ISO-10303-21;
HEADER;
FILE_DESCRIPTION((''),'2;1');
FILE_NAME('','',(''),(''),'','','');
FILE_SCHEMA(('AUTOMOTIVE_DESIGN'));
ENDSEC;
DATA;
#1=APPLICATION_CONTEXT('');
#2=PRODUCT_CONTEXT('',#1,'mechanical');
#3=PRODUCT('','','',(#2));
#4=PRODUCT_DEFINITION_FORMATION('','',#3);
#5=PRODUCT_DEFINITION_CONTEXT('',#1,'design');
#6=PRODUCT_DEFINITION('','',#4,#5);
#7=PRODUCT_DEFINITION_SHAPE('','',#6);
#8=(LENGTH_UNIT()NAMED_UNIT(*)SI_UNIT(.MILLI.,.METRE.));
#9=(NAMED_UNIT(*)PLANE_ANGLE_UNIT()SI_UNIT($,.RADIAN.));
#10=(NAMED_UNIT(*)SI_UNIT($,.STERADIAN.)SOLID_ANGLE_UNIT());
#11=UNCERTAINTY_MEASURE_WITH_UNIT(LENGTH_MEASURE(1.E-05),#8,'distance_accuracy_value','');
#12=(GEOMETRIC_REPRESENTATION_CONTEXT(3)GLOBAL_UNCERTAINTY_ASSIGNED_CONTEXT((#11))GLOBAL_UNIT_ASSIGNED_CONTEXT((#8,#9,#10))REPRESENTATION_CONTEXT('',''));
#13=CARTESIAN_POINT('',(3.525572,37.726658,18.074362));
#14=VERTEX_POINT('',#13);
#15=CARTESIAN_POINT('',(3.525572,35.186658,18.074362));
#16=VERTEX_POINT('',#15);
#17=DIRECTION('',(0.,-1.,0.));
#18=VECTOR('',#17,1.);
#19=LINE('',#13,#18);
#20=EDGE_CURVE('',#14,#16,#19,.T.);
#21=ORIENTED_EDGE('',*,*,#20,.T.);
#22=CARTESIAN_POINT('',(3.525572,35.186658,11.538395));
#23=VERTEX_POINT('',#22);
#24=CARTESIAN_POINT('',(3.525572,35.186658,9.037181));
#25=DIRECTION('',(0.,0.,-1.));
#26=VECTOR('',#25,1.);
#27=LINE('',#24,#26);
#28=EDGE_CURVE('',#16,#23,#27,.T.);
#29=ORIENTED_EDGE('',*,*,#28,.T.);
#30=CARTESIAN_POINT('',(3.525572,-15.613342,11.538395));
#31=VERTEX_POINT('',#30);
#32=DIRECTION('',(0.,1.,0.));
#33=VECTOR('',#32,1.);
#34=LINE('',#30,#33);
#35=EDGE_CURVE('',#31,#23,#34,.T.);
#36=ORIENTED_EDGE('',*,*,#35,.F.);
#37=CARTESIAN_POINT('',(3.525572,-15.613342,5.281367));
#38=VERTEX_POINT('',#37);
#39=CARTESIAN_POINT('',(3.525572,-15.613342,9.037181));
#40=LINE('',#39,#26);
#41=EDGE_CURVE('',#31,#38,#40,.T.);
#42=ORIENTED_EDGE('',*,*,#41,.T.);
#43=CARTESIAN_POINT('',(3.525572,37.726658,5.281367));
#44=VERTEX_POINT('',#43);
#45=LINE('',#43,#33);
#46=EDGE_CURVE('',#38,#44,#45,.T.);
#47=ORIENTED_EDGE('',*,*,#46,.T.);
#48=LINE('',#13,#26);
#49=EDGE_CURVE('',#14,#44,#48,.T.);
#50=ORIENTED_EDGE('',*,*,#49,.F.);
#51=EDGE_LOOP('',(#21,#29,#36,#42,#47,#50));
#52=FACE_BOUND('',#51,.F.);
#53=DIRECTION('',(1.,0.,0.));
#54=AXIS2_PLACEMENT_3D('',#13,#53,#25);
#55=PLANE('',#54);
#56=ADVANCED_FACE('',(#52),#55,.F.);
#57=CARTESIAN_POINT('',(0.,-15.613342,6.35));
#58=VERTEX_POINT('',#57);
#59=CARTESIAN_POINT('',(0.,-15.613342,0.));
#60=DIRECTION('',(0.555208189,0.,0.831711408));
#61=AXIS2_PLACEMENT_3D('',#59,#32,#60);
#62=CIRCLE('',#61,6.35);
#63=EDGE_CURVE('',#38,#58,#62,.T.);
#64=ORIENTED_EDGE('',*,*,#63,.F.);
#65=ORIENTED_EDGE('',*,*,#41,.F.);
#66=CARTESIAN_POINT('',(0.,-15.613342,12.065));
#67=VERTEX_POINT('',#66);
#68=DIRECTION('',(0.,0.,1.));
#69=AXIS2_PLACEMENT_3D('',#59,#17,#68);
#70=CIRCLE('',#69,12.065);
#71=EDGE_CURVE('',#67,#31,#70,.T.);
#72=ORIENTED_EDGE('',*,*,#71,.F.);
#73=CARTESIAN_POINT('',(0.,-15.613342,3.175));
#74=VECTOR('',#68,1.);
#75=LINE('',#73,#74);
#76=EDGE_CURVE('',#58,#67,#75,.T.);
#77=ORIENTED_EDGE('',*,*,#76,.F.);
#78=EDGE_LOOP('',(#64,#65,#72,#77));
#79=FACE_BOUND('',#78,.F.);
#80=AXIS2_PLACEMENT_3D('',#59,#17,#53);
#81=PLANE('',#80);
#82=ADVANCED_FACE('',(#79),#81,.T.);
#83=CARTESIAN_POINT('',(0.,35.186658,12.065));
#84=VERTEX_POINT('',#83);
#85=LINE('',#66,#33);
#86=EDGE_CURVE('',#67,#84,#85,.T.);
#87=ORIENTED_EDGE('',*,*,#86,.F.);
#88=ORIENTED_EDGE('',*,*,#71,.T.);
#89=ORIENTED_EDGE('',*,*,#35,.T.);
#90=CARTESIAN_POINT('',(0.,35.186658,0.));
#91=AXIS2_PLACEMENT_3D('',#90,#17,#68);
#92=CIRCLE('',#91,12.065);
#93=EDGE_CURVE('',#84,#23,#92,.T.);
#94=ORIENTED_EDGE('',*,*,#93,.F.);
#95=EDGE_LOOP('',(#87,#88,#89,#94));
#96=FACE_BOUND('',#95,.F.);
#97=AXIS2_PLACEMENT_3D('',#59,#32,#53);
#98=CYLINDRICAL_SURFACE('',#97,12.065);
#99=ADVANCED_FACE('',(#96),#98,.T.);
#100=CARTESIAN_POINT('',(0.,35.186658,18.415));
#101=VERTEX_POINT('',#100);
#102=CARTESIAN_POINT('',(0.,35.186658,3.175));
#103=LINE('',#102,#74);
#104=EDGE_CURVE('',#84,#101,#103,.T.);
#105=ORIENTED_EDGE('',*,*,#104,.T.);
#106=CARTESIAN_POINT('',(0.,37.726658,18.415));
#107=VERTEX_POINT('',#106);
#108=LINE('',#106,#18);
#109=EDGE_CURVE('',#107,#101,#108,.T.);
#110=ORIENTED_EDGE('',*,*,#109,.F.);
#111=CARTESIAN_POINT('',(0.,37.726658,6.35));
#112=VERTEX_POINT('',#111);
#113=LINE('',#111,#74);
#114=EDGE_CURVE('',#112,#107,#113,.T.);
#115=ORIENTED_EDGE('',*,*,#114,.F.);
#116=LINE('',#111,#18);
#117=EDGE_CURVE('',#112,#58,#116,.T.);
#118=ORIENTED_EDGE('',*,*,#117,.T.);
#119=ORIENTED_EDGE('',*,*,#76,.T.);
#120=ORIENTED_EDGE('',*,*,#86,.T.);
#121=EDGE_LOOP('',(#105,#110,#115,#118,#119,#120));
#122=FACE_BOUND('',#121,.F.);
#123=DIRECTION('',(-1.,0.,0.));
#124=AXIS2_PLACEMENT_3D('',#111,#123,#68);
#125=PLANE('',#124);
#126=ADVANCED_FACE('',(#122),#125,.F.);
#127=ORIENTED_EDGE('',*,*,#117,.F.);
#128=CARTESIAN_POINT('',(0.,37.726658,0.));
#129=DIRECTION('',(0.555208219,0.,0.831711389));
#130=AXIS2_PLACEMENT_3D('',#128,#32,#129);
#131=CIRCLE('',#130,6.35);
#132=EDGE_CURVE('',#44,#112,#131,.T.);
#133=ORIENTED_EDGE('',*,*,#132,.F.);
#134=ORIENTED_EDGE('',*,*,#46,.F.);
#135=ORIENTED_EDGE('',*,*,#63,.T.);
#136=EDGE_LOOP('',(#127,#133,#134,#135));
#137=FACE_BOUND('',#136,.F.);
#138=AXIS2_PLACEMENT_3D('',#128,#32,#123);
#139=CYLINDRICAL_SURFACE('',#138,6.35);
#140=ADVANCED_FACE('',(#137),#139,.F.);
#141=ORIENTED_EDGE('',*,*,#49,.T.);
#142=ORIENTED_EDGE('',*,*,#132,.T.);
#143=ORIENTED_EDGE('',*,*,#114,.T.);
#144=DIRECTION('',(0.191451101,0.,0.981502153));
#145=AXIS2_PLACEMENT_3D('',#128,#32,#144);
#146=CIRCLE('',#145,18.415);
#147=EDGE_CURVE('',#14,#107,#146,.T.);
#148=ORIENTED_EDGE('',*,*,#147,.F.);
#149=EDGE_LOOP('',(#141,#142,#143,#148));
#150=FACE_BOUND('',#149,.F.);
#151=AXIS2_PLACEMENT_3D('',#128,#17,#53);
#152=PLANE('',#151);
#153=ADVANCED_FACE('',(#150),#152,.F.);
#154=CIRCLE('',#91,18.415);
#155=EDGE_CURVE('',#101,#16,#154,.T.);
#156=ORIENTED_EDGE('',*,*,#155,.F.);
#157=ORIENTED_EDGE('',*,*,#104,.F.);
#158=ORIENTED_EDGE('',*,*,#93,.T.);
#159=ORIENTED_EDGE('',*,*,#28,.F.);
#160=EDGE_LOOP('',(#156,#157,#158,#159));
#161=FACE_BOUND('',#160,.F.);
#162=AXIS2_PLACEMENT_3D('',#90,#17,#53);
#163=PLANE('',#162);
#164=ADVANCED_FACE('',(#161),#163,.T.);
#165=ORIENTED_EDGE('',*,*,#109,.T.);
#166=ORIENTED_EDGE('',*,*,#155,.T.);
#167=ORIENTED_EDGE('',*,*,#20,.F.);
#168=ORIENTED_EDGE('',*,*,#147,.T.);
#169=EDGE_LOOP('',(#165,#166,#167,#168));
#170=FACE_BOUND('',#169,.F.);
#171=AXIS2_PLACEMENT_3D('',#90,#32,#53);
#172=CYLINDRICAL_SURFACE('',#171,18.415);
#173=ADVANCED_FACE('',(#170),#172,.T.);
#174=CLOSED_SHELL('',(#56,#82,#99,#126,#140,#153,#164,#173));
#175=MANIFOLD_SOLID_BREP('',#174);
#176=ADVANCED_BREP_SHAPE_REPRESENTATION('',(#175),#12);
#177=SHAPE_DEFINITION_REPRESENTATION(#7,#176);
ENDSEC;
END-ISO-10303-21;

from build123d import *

# Parameters (mm, degrees)
F2_R     = 6.35
F3_DEPTH = 101.6
F5_DEPTH = 127


with BuildPart() as f1:
    # F0 (on Top) → F1 (revolve)
    with BuildSketch(Plane.XY):
        Polygon((0, 37.726658), (0, -15.613342), (12.065, -15.613342), (12.065, 35.186658), (18.415, 35.186658), (18.415, 37.726658), align=None)
    revolve(axis=Axis((0, 11.056658, 0), (0, -1, 0)))

    # F2 (on face) → F3 (cut)
    with BuildSketch(Plane(origin=(0, 37.726658, 0), x_dir=(-1, 0, 0), z_dir=(0, 1, 0))):
        Circle(F2_R)
    extrude(amount=-F3_DEPTH, mode=Mode.SUBTRACT)

    # F4 (on face) → F5 (cut)
    with BuildSketch(Plane(origin=(0, 37.726658, 0), x_dir=(-1, 0, 0), z_dir=(0, 1, 0))):
        with BuildLine():
            Line((0, 6.35), (0, 18.415))
            ThreePointArc((0, 18.415), (-1.770995, 18.329643), (-3.525572, 18.074362))
            Line((-3.525572, 18.074362), (-3.525572, 5.281367))
            ThreePointArc((-3.525572, 5.281367), (-1.841985, 6.076972), (0, 6.35))
        make_face()
    extrude(amount=-F5_DEPTH, mode=Mode.SUBTRACT)


solid = f1.part
